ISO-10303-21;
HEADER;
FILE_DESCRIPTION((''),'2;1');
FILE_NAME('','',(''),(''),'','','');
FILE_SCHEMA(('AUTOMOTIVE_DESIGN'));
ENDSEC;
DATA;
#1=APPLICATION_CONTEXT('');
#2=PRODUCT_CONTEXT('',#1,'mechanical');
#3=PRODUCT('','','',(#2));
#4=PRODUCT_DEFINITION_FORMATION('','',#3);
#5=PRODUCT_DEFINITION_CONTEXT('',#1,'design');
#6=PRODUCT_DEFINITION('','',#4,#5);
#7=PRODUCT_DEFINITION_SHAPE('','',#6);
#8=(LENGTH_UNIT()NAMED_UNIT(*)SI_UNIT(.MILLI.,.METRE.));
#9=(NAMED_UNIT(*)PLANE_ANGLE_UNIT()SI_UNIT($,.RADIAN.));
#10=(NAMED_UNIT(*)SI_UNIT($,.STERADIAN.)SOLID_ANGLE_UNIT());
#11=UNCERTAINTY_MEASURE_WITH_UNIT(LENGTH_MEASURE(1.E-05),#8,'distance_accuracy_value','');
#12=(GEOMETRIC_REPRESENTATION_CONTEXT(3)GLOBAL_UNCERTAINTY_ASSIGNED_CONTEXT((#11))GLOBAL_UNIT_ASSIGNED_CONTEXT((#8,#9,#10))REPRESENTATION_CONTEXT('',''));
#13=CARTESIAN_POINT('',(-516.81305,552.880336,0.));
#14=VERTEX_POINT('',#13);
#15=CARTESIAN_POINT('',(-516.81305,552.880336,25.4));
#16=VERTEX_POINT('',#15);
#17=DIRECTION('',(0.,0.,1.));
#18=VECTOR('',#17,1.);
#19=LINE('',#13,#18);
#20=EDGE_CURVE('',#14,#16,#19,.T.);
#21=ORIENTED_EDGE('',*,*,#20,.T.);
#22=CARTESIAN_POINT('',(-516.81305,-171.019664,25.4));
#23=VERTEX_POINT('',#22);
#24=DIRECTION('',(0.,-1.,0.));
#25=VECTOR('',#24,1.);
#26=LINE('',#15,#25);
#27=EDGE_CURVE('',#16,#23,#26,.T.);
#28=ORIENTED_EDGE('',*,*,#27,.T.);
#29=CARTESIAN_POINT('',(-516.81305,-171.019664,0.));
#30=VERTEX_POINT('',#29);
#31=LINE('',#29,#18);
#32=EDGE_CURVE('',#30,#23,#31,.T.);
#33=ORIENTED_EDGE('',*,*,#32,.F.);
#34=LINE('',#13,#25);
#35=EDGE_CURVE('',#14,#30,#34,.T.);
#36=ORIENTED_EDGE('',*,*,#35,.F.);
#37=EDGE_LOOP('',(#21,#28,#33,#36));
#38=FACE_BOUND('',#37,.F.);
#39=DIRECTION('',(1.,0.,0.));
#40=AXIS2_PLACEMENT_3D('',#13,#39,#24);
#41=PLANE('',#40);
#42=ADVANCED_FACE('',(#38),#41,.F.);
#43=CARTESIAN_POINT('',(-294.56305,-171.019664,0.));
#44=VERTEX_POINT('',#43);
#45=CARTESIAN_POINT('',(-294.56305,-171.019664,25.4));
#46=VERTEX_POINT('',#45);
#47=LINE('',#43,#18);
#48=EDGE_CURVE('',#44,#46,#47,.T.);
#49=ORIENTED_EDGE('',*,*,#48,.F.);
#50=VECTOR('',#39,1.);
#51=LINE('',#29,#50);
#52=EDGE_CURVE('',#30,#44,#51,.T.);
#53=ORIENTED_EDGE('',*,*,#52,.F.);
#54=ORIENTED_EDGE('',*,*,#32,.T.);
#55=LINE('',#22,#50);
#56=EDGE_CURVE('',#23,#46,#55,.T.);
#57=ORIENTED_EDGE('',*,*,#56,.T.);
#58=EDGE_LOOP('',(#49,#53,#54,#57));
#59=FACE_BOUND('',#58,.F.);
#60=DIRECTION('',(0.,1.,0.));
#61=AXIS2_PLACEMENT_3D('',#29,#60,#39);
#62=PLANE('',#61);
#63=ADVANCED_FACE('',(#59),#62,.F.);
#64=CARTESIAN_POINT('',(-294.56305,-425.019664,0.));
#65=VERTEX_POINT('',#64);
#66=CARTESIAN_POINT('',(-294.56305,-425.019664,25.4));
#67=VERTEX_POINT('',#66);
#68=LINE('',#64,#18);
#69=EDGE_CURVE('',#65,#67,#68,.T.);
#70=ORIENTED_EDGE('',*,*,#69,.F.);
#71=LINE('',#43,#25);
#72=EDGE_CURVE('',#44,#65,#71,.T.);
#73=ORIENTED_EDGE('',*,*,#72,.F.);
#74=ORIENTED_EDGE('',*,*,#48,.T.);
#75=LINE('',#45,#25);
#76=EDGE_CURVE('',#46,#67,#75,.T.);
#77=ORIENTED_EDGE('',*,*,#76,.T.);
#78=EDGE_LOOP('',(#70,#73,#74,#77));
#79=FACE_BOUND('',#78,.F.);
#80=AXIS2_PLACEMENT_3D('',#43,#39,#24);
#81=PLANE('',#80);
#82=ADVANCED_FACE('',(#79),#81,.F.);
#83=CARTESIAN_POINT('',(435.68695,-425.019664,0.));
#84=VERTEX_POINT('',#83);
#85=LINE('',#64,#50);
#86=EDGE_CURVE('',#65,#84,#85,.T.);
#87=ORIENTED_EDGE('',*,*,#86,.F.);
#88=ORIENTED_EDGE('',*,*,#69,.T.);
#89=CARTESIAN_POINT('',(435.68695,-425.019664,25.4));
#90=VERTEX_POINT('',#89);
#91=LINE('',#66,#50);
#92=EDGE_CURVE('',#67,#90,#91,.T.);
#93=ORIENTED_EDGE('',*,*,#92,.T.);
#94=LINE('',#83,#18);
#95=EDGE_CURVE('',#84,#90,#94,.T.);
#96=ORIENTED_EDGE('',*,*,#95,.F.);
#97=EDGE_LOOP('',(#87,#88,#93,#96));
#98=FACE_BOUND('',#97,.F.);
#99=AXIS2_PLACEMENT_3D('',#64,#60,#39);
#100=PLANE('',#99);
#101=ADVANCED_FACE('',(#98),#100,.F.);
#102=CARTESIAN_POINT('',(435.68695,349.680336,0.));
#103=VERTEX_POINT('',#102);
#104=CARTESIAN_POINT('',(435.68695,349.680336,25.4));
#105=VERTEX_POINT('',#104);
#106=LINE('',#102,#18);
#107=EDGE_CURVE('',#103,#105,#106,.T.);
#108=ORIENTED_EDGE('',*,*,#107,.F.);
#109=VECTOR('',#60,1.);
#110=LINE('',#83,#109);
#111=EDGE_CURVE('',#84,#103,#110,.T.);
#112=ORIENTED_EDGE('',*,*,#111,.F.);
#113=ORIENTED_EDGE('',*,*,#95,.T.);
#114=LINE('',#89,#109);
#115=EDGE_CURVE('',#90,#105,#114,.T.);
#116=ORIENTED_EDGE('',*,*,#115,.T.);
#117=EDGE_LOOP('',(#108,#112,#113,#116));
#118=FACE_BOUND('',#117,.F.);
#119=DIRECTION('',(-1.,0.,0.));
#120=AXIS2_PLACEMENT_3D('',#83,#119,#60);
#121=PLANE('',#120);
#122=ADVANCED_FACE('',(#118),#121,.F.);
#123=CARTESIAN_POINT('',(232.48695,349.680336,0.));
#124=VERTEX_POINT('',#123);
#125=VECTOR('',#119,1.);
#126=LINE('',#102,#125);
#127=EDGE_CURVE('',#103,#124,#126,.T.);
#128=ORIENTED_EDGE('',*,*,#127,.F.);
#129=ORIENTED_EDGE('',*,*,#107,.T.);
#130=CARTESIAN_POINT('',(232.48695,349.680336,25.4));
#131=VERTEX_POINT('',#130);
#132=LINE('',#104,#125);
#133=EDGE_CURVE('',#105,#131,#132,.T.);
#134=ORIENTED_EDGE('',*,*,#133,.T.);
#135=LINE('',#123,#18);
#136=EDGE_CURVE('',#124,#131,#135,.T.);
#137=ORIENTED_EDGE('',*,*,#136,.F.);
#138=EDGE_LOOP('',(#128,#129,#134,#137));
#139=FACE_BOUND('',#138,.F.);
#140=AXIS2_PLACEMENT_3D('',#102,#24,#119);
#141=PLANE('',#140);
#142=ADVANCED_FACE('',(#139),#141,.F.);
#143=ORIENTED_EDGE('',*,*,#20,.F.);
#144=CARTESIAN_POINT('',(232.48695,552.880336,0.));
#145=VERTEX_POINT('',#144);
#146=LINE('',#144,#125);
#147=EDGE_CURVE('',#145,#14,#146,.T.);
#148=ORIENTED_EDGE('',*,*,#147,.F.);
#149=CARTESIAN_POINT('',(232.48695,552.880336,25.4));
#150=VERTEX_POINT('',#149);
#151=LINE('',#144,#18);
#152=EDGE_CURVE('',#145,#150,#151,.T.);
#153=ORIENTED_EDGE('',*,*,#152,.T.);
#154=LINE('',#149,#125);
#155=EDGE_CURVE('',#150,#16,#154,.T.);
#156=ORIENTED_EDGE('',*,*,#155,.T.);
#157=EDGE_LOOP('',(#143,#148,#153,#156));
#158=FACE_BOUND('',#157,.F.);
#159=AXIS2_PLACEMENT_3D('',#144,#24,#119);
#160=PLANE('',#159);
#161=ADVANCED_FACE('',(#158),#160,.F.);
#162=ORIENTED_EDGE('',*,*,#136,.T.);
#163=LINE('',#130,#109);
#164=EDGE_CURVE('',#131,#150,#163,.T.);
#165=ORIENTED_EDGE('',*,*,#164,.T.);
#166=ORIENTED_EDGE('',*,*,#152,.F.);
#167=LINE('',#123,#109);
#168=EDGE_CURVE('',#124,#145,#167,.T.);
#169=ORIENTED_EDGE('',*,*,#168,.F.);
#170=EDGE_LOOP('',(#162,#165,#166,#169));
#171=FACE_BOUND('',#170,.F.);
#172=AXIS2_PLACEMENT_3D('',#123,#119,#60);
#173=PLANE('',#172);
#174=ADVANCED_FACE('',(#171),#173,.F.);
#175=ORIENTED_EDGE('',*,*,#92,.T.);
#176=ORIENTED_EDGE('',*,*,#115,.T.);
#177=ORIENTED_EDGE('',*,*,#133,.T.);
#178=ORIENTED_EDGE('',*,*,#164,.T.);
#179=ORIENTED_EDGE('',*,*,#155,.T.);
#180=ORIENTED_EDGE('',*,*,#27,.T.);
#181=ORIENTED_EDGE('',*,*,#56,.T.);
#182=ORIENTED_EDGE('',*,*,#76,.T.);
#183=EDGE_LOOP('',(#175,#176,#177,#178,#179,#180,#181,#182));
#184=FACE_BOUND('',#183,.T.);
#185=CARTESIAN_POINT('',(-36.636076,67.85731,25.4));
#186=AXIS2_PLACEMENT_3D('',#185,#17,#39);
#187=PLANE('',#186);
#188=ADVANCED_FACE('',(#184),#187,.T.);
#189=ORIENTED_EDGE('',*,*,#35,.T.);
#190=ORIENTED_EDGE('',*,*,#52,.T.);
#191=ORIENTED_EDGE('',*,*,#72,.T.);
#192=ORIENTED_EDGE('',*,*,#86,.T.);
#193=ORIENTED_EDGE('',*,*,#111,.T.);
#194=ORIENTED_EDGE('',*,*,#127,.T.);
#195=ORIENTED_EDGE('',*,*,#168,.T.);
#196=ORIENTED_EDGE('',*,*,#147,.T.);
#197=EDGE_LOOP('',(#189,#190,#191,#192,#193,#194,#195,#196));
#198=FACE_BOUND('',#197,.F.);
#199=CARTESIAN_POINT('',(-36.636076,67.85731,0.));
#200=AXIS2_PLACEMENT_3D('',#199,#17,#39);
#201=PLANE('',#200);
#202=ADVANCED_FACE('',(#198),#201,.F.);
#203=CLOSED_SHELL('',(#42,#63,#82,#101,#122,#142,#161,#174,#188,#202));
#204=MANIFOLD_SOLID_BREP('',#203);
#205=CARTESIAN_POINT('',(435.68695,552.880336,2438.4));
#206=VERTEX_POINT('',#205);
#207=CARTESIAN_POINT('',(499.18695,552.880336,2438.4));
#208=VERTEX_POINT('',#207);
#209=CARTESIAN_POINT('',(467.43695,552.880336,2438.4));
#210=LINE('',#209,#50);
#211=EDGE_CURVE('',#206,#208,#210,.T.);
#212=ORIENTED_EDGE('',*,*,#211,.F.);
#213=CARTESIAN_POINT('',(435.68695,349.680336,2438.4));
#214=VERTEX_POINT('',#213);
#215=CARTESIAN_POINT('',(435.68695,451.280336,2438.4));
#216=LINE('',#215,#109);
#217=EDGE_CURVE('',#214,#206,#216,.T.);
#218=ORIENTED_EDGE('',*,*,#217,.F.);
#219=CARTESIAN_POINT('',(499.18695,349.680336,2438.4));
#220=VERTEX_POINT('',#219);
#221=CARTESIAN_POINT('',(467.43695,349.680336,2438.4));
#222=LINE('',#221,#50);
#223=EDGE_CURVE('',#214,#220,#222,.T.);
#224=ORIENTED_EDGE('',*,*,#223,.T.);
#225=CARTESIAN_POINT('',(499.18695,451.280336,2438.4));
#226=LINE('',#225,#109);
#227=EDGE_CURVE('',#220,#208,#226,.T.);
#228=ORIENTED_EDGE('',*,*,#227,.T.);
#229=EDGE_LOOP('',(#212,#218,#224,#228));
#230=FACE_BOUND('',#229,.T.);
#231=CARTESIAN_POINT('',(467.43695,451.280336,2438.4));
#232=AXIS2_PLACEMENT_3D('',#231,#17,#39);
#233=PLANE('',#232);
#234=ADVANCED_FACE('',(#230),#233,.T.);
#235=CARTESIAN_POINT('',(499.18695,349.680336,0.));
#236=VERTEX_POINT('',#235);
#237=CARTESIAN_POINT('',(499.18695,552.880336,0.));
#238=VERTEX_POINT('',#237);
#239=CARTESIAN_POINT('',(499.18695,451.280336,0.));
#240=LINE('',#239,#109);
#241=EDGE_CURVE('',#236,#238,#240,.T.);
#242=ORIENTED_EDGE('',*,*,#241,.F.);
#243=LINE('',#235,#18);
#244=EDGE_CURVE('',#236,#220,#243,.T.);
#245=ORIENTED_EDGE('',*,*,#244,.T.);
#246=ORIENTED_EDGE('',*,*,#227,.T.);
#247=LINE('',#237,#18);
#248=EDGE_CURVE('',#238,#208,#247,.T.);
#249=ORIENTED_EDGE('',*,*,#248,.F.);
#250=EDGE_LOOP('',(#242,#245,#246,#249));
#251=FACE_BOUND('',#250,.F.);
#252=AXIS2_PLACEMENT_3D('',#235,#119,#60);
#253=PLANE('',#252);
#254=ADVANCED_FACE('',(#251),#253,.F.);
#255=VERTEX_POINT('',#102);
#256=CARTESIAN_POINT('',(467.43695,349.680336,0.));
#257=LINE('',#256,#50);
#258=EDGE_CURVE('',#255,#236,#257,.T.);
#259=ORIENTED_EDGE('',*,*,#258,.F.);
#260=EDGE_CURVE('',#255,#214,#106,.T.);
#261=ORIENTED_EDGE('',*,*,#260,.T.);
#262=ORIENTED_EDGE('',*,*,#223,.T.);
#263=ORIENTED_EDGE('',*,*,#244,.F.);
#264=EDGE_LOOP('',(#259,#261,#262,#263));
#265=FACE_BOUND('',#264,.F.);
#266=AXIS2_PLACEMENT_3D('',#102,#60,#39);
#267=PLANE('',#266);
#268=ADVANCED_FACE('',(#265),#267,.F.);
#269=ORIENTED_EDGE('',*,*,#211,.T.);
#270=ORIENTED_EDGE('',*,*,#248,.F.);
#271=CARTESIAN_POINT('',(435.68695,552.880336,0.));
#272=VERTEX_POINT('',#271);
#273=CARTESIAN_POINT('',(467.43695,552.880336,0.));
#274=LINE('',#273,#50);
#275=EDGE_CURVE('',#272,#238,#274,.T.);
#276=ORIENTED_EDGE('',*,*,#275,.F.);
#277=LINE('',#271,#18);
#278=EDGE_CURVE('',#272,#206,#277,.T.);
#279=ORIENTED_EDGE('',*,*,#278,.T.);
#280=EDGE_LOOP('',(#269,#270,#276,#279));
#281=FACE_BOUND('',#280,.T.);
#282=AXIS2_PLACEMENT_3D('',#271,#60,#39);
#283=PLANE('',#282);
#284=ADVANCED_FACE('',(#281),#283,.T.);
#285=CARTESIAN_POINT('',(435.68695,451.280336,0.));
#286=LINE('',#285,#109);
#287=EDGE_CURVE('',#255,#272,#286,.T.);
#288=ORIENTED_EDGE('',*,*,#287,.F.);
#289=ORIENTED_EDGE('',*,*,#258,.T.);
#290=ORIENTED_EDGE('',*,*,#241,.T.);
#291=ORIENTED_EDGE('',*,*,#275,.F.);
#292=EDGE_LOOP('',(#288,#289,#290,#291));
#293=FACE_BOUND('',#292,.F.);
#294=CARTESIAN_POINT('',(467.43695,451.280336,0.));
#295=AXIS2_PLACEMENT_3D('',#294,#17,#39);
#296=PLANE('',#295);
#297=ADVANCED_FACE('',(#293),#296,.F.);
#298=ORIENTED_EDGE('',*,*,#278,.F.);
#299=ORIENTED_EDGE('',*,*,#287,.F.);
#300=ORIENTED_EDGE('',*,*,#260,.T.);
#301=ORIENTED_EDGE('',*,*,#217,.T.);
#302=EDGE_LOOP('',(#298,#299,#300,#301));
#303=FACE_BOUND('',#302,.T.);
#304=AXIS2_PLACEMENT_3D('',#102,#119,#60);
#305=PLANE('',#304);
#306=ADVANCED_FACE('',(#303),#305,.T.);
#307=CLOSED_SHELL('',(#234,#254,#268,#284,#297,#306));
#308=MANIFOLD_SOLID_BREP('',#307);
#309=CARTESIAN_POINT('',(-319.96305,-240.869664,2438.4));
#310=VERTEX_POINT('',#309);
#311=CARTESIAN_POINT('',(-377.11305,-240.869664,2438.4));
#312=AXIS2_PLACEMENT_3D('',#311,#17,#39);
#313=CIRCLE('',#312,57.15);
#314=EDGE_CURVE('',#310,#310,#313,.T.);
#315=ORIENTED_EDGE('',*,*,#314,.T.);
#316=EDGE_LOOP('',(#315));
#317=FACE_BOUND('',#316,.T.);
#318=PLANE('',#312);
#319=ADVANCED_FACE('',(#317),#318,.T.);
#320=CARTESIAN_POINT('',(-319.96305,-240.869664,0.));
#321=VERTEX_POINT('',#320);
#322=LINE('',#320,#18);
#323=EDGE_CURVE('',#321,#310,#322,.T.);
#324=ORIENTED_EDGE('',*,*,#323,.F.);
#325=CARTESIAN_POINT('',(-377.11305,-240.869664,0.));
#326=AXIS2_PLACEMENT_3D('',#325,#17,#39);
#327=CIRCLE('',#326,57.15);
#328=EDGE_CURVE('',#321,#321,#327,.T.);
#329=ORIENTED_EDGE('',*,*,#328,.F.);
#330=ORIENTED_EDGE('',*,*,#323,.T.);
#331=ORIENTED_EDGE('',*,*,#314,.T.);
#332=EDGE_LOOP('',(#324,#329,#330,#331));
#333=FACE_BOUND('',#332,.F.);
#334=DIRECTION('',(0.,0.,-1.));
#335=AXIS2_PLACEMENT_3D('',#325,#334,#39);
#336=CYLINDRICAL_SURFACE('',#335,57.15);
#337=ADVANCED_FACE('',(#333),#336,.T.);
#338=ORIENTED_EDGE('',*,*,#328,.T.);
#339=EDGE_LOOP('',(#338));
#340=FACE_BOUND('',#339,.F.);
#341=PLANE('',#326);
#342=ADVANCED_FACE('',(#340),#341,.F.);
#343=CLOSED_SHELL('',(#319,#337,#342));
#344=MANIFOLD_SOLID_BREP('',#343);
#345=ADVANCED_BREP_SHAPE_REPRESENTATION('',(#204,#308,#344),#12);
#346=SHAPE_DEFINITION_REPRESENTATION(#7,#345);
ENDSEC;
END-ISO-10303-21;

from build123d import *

# Parameters (mm, degrees)
F0_W     = 63.5
F0_H     = 203.2
F0_R     = 57.15
F1_DEPTH = 2438.4
F2_DEPTH = 25.4


with BuildPart() as f1:
    # F0 (on Top) → F1 (new body)
    with BuildSketch(Plane.XY):
        with Locations((467.43695, 451.280336)):
            Rectangle(F0_W, F0_H)
        with Locations((-377.11305, -240.869664)):
            Circle(F0_R)
    extrude(amount=F1_DEPTH)


with BuildPart() as f2:
    # F0 (on Top) → F2 (new body)
    with BuildSketch(Plane.XY):
        Polygon((232.48695, 552.880336), (-516.81305, 552.880336), (-516.81305, -171.019664), (-294.56305, -171.019664), (-294.56305, -425.019664), (435.68695, -425.019664), (435.68695, 349.680336), (232.48695, 349.680336), align=None)
    extrude(amount=F2_DEPTH)


solid = Compound([f1.part, f2.part])
